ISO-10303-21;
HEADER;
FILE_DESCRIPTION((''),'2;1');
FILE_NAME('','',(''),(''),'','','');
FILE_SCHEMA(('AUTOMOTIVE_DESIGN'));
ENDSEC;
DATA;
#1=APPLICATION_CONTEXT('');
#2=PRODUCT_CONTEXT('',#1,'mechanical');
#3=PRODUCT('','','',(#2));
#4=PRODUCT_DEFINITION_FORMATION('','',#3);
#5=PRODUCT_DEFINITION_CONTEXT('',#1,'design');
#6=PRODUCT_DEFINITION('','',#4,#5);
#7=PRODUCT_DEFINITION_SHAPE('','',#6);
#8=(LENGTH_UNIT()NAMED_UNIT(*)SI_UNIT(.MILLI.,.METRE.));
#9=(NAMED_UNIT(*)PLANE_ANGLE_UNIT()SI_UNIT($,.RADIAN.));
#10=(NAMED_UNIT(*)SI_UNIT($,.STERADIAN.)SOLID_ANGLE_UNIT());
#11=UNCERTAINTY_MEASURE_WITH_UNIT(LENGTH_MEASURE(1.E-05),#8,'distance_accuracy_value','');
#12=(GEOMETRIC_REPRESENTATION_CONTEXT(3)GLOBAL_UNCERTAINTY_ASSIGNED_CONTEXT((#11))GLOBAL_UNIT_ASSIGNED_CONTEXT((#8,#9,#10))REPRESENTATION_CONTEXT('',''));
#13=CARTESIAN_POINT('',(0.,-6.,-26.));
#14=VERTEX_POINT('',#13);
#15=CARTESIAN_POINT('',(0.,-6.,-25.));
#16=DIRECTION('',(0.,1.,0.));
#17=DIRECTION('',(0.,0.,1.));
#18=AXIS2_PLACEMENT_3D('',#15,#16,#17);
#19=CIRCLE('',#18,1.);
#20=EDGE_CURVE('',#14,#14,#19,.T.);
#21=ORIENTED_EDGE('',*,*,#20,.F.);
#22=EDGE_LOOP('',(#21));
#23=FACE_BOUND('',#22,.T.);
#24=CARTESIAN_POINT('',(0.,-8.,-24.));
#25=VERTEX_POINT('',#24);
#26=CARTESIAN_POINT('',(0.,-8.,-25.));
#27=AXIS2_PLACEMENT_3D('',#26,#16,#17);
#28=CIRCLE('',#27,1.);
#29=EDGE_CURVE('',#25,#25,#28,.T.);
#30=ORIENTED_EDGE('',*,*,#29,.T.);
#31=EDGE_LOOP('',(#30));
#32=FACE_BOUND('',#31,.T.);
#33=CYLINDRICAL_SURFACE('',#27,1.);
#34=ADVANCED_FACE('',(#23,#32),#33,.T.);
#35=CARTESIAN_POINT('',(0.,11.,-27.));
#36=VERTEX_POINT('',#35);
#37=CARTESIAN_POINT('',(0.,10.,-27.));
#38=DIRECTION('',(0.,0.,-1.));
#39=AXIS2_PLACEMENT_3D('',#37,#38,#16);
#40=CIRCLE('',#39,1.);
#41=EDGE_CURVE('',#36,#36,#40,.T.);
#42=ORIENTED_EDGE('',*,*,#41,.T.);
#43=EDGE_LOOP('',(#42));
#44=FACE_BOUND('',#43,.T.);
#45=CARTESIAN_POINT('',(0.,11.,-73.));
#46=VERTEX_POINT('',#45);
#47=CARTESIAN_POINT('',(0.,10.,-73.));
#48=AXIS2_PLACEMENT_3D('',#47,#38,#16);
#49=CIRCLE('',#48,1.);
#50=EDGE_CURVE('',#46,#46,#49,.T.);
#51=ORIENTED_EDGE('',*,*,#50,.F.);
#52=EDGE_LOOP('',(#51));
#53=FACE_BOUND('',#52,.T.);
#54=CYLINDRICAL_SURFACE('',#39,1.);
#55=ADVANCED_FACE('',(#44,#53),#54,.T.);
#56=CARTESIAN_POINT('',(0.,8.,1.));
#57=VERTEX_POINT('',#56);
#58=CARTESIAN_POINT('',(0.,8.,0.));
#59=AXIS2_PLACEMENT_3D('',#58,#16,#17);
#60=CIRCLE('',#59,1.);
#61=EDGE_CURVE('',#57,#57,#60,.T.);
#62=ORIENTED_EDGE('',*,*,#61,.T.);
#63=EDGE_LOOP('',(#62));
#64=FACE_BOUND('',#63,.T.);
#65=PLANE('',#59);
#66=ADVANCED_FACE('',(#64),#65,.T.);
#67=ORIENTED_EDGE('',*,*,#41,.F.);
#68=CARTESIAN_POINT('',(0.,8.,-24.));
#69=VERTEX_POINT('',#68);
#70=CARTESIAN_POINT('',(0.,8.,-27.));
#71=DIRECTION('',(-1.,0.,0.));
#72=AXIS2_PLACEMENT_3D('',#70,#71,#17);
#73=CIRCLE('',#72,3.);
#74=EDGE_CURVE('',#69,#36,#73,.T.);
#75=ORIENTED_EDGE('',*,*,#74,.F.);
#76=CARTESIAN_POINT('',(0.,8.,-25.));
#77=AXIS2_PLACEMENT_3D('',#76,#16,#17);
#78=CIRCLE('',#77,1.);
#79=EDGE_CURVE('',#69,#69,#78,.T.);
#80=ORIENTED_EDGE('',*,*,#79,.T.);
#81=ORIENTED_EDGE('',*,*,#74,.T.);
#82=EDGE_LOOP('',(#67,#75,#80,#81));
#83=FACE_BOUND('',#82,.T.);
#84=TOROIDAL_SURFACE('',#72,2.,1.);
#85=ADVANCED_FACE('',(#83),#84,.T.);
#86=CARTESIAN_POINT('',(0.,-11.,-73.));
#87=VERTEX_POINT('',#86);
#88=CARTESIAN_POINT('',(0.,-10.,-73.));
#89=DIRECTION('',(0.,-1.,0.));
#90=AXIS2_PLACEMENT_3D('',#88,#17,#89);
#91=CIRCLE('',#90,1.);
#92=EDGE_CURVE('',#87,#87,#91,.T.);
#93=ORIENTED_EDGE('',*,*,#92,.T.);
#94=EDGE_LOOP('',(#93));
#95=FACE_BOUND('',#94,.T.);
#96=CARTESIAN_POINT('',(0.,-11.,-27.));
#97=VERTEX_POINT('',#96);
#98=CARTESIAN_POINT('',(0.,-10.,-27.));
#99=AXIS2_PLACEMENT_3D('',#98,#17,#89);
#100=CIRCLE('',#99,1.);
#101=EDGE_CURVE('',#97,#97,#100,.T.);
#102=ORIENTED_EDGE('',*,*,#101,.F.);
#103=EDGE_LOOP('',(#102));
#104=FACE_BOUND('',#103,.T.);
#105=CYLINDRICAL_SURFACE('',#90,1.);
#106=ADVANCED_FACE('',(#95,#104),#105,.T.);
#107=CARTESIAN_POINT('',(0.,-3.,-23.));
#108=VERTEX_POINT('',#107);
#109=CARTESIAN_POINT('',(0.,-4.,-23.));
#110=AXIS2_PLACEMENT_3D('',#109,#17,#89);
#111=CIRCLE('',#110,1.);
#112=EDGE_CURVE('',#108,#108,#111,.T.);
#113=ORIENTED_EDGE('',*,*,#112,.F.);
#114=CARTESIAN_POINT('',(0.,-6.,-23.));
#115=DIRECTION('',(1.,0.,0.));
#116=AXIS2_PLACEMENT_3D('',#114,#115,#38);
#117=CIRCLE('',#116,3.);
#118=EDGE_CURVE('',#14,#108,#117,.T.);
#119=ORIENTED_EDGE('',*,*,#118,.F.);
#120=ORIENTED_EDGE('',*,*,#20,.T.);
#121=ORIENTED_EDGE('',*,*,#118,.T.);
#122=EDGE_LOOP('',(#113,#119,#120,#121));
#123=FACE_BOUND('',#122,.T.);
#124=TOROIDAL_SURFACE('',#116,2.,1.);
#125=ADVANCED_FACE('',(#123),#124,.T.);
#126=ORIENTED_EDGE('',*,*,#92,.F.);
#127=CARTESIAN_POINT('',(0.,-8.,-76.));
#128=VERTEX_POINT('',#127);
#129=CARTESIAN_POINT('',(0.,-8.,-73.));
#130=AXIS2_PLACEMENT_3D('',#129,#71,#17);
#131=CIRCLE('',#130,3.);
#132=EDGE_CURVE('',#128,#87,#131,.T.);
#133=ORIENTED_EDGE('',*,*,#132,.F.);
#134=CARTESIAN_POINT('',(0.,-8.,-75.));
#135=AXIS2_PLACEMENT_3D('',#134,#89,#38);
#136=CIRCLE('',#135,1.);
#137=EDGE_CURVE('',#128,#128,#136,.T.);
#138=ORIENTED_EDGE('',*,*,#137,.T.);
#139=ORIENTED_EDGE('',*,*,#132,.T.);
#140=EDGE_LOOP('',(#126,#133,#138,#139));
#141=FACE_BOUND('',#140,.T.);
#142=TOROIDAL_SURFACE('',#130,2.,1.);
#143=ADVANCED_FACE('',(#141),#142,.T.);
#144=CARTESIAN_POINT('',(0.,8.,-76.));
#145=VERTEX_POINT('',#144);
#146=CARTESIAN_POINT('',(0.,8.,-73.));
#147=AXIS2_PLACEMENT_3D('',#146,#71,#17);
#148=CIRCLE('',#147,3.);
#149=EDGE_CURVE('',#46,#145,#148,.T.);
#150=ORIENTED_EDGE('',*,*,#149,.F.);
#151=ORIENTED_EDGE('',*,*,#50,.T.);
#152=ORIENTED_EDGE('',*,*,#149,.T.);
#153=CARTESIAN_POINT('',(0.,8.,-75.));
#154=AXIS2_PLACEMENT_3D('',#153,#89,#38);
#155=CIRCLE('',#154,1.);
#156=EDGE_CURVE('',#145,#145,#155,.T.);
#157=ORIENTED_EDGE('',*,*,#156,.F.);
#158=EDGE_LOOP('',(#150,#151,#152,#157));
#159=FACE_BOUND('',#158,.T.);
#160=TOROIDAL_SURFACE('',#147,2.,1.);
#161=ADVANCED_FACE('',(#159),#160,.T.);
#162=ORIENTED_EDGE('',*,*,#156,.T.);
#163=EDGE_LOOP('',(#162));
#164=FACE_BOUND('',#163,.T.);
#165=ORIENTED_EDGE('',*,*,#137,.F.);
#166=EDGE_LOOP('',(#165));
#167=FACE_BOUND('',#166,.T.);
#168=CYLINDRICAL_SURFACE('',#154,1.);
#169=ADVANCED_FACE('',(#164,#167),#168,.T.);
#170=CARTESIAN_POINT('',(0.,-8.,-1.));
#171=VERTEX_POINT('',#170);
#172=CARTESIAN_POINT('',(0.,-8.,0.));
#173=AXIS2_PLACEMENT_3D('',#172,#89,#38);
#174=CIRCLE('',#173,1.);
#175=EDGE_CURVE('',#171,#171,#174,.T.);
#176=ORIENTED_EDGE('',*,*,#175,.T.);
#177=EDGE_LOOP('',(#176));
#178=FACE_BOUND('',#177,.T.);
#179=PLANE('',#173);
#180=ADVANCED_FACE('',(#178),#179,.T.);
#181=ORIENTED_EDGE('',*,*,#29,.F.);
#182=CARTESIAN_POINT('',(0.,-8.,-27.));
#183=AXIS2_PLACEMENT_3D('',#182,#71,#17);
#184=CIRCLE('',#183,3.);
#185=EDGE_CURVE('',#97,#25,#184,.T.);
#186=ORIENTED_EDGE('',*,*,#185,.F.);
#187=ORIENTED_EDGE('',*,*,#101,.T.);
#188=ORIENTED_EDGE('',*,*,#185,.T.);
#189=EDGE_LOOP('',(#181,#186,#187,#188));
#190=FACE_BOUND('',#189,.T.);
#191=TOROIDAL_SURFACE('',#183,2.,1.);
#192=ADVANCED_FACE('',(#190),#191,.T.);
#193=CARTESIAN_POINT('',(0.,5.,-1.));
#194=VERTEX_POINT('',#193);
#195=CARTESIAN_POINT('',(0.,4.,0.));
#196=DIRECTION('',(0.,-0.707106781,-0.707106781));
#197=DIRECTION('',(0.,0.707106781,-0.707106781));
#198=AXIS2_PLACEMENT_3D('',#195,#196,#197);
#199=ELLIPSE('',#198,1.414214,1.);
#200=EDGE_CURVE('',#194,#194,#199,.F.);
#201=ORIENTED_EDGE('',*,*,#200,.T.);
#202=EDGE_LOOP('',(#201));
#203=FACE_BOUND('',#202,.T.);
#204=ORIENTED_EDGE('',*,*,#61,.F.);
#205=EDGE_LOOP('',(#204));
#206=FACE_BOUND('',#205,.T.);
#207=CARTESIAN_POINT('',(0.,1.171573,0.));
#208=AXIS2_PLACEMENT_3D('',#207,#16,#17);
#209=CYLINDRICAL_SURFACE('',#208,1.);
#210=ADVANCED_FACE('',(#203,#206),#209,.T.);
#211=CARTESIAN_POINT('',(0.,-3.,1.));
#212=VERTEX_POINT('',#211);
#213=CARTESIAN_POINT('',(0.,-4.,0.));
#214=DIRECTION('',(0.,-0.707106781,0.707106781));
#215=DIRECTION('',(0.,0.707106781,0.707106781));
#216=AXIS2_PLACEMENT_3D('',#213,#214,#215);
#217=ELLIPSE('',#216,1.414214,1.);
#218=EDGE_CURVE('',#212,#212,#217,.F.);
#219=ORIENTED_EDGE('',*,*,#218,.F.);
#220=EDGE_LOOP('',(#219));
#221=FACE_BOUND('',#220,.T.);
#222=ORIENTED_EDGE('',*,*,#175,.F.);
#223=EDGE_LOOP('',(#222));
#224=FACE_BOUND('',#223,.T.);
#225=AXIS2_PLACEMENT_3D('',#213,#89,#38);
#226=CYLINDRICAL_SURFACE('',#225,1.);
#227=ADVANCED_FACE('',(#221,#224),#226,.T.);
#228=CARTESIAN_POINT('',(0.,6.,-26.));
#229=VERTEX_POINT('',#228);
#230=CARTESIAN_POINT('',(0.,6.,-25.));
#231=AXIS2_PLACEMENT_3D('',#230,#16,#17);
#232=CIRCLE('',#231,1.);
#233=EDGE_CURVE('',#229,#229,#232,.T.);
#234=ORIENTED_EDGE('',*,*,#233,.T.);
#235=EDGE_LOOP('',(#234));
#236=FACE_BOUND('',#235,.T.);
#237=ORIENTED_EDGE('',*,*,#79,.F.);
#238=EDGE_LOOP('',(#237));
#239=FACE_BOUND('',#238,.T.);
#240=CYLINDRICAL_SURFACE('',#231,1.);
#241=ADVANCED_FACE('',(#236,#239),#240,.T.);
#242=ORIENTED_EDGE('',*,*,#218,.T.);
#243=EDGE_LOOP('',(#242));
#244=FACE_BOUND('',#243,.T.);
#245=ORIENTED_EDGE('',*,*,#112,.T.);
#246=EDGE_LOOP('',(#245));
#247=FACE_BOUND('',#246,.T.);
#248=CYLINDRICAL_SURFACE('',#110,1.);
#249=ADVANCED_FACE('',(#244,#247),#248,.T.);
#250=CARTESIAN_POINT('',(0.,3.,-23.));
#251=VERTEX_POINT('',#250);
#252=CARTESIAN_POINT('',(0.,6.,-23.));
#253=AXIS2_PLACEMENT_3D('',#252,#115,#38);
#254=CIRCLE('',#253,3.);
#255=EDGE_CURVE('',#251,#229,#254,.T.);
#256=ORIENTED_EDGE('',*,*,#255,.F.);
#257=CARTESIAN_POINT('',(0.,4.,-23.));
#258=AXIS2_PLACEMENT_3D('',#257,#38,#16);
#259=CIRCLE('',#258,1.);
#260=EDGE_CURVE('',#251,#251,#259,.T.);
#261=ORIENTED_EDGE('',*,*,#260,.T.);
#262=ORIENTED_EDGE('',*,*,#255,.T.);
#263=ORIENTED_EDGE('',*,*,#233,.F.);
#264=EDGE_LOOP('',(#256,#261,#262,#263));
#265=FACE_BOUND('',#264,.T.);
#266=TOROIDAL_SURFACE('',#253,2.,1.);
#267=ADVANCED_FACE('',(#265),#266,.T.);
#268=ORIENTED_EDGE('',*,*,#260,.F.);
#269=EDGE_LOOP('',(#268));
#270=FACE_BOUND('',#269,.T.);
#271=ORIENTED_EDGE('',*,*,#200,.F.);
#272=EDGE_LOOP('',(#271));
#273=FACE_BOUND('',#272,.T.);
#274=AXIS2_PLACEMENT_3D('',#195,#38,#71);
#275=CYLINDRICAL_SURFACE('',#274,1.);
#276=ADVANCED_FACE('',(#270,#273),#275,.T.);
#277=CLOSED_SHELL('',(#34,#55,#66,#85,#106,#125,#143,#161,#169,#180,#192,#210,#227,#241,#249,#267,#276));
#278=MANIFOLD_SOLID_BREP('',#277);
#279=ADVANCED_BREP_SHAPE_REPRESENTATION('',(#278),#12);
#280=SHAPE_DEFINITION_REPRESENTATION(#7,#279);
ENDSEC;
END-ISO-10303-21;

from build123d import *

# Parameters (mm, degrees)
SKIZZE5_R = 1


with BuildPart() as part:
    # Austragung1: sweep along a path in Skizze1
    with BuildLine(Plane(origin=(0, 0, 0), x_dir=(0, 0, -1), z_dir=(1, 0, 0))) as austragung1_path:
        Line((0, 8), (0, 4))
        Line((0, 4), (23, 4))
        ThreePointArc((23, 4), (24.414213562, 4.585786438), (25, 6))
        Line((25, 6), (25, 8))
        ThreePointArc((25, 8), (25.585786438, 9.414213562), (27, 10))
        Line((27, 10), (73, 10))
        ThreePointArc((73, 10), (74.414213562, 9.414213562), (75, 8))
        Line((75, 8), (75, -8))
        ThreePointArc((75, -8), (74.414213562, -9.414213562), (73, -10))
        Line((73, -10), (27, -10))
        ThreePointArc((27, -10), (25.585786438, -9.414213562), (25, -8))
        Line((25, -8), (25, -6))
        ThreePointArc((25, -6), (24.414213562, -4.585786438), (23, -4))
        Line((23, -4), (0, -4))
        Line((0, -4), (0, -8))
    # Skizze5 → Austragung1 (sweep)
    with BuildSketch(Plane(origin=(0, 8, 0), x_dir=(1, 0, 0), z_dir=(0, 1, 0))):
        Circle(SKIZZE5_R)
    sweep(path=austragung1_path.line, transition=Transition.RIGHT)


solid = part.part
